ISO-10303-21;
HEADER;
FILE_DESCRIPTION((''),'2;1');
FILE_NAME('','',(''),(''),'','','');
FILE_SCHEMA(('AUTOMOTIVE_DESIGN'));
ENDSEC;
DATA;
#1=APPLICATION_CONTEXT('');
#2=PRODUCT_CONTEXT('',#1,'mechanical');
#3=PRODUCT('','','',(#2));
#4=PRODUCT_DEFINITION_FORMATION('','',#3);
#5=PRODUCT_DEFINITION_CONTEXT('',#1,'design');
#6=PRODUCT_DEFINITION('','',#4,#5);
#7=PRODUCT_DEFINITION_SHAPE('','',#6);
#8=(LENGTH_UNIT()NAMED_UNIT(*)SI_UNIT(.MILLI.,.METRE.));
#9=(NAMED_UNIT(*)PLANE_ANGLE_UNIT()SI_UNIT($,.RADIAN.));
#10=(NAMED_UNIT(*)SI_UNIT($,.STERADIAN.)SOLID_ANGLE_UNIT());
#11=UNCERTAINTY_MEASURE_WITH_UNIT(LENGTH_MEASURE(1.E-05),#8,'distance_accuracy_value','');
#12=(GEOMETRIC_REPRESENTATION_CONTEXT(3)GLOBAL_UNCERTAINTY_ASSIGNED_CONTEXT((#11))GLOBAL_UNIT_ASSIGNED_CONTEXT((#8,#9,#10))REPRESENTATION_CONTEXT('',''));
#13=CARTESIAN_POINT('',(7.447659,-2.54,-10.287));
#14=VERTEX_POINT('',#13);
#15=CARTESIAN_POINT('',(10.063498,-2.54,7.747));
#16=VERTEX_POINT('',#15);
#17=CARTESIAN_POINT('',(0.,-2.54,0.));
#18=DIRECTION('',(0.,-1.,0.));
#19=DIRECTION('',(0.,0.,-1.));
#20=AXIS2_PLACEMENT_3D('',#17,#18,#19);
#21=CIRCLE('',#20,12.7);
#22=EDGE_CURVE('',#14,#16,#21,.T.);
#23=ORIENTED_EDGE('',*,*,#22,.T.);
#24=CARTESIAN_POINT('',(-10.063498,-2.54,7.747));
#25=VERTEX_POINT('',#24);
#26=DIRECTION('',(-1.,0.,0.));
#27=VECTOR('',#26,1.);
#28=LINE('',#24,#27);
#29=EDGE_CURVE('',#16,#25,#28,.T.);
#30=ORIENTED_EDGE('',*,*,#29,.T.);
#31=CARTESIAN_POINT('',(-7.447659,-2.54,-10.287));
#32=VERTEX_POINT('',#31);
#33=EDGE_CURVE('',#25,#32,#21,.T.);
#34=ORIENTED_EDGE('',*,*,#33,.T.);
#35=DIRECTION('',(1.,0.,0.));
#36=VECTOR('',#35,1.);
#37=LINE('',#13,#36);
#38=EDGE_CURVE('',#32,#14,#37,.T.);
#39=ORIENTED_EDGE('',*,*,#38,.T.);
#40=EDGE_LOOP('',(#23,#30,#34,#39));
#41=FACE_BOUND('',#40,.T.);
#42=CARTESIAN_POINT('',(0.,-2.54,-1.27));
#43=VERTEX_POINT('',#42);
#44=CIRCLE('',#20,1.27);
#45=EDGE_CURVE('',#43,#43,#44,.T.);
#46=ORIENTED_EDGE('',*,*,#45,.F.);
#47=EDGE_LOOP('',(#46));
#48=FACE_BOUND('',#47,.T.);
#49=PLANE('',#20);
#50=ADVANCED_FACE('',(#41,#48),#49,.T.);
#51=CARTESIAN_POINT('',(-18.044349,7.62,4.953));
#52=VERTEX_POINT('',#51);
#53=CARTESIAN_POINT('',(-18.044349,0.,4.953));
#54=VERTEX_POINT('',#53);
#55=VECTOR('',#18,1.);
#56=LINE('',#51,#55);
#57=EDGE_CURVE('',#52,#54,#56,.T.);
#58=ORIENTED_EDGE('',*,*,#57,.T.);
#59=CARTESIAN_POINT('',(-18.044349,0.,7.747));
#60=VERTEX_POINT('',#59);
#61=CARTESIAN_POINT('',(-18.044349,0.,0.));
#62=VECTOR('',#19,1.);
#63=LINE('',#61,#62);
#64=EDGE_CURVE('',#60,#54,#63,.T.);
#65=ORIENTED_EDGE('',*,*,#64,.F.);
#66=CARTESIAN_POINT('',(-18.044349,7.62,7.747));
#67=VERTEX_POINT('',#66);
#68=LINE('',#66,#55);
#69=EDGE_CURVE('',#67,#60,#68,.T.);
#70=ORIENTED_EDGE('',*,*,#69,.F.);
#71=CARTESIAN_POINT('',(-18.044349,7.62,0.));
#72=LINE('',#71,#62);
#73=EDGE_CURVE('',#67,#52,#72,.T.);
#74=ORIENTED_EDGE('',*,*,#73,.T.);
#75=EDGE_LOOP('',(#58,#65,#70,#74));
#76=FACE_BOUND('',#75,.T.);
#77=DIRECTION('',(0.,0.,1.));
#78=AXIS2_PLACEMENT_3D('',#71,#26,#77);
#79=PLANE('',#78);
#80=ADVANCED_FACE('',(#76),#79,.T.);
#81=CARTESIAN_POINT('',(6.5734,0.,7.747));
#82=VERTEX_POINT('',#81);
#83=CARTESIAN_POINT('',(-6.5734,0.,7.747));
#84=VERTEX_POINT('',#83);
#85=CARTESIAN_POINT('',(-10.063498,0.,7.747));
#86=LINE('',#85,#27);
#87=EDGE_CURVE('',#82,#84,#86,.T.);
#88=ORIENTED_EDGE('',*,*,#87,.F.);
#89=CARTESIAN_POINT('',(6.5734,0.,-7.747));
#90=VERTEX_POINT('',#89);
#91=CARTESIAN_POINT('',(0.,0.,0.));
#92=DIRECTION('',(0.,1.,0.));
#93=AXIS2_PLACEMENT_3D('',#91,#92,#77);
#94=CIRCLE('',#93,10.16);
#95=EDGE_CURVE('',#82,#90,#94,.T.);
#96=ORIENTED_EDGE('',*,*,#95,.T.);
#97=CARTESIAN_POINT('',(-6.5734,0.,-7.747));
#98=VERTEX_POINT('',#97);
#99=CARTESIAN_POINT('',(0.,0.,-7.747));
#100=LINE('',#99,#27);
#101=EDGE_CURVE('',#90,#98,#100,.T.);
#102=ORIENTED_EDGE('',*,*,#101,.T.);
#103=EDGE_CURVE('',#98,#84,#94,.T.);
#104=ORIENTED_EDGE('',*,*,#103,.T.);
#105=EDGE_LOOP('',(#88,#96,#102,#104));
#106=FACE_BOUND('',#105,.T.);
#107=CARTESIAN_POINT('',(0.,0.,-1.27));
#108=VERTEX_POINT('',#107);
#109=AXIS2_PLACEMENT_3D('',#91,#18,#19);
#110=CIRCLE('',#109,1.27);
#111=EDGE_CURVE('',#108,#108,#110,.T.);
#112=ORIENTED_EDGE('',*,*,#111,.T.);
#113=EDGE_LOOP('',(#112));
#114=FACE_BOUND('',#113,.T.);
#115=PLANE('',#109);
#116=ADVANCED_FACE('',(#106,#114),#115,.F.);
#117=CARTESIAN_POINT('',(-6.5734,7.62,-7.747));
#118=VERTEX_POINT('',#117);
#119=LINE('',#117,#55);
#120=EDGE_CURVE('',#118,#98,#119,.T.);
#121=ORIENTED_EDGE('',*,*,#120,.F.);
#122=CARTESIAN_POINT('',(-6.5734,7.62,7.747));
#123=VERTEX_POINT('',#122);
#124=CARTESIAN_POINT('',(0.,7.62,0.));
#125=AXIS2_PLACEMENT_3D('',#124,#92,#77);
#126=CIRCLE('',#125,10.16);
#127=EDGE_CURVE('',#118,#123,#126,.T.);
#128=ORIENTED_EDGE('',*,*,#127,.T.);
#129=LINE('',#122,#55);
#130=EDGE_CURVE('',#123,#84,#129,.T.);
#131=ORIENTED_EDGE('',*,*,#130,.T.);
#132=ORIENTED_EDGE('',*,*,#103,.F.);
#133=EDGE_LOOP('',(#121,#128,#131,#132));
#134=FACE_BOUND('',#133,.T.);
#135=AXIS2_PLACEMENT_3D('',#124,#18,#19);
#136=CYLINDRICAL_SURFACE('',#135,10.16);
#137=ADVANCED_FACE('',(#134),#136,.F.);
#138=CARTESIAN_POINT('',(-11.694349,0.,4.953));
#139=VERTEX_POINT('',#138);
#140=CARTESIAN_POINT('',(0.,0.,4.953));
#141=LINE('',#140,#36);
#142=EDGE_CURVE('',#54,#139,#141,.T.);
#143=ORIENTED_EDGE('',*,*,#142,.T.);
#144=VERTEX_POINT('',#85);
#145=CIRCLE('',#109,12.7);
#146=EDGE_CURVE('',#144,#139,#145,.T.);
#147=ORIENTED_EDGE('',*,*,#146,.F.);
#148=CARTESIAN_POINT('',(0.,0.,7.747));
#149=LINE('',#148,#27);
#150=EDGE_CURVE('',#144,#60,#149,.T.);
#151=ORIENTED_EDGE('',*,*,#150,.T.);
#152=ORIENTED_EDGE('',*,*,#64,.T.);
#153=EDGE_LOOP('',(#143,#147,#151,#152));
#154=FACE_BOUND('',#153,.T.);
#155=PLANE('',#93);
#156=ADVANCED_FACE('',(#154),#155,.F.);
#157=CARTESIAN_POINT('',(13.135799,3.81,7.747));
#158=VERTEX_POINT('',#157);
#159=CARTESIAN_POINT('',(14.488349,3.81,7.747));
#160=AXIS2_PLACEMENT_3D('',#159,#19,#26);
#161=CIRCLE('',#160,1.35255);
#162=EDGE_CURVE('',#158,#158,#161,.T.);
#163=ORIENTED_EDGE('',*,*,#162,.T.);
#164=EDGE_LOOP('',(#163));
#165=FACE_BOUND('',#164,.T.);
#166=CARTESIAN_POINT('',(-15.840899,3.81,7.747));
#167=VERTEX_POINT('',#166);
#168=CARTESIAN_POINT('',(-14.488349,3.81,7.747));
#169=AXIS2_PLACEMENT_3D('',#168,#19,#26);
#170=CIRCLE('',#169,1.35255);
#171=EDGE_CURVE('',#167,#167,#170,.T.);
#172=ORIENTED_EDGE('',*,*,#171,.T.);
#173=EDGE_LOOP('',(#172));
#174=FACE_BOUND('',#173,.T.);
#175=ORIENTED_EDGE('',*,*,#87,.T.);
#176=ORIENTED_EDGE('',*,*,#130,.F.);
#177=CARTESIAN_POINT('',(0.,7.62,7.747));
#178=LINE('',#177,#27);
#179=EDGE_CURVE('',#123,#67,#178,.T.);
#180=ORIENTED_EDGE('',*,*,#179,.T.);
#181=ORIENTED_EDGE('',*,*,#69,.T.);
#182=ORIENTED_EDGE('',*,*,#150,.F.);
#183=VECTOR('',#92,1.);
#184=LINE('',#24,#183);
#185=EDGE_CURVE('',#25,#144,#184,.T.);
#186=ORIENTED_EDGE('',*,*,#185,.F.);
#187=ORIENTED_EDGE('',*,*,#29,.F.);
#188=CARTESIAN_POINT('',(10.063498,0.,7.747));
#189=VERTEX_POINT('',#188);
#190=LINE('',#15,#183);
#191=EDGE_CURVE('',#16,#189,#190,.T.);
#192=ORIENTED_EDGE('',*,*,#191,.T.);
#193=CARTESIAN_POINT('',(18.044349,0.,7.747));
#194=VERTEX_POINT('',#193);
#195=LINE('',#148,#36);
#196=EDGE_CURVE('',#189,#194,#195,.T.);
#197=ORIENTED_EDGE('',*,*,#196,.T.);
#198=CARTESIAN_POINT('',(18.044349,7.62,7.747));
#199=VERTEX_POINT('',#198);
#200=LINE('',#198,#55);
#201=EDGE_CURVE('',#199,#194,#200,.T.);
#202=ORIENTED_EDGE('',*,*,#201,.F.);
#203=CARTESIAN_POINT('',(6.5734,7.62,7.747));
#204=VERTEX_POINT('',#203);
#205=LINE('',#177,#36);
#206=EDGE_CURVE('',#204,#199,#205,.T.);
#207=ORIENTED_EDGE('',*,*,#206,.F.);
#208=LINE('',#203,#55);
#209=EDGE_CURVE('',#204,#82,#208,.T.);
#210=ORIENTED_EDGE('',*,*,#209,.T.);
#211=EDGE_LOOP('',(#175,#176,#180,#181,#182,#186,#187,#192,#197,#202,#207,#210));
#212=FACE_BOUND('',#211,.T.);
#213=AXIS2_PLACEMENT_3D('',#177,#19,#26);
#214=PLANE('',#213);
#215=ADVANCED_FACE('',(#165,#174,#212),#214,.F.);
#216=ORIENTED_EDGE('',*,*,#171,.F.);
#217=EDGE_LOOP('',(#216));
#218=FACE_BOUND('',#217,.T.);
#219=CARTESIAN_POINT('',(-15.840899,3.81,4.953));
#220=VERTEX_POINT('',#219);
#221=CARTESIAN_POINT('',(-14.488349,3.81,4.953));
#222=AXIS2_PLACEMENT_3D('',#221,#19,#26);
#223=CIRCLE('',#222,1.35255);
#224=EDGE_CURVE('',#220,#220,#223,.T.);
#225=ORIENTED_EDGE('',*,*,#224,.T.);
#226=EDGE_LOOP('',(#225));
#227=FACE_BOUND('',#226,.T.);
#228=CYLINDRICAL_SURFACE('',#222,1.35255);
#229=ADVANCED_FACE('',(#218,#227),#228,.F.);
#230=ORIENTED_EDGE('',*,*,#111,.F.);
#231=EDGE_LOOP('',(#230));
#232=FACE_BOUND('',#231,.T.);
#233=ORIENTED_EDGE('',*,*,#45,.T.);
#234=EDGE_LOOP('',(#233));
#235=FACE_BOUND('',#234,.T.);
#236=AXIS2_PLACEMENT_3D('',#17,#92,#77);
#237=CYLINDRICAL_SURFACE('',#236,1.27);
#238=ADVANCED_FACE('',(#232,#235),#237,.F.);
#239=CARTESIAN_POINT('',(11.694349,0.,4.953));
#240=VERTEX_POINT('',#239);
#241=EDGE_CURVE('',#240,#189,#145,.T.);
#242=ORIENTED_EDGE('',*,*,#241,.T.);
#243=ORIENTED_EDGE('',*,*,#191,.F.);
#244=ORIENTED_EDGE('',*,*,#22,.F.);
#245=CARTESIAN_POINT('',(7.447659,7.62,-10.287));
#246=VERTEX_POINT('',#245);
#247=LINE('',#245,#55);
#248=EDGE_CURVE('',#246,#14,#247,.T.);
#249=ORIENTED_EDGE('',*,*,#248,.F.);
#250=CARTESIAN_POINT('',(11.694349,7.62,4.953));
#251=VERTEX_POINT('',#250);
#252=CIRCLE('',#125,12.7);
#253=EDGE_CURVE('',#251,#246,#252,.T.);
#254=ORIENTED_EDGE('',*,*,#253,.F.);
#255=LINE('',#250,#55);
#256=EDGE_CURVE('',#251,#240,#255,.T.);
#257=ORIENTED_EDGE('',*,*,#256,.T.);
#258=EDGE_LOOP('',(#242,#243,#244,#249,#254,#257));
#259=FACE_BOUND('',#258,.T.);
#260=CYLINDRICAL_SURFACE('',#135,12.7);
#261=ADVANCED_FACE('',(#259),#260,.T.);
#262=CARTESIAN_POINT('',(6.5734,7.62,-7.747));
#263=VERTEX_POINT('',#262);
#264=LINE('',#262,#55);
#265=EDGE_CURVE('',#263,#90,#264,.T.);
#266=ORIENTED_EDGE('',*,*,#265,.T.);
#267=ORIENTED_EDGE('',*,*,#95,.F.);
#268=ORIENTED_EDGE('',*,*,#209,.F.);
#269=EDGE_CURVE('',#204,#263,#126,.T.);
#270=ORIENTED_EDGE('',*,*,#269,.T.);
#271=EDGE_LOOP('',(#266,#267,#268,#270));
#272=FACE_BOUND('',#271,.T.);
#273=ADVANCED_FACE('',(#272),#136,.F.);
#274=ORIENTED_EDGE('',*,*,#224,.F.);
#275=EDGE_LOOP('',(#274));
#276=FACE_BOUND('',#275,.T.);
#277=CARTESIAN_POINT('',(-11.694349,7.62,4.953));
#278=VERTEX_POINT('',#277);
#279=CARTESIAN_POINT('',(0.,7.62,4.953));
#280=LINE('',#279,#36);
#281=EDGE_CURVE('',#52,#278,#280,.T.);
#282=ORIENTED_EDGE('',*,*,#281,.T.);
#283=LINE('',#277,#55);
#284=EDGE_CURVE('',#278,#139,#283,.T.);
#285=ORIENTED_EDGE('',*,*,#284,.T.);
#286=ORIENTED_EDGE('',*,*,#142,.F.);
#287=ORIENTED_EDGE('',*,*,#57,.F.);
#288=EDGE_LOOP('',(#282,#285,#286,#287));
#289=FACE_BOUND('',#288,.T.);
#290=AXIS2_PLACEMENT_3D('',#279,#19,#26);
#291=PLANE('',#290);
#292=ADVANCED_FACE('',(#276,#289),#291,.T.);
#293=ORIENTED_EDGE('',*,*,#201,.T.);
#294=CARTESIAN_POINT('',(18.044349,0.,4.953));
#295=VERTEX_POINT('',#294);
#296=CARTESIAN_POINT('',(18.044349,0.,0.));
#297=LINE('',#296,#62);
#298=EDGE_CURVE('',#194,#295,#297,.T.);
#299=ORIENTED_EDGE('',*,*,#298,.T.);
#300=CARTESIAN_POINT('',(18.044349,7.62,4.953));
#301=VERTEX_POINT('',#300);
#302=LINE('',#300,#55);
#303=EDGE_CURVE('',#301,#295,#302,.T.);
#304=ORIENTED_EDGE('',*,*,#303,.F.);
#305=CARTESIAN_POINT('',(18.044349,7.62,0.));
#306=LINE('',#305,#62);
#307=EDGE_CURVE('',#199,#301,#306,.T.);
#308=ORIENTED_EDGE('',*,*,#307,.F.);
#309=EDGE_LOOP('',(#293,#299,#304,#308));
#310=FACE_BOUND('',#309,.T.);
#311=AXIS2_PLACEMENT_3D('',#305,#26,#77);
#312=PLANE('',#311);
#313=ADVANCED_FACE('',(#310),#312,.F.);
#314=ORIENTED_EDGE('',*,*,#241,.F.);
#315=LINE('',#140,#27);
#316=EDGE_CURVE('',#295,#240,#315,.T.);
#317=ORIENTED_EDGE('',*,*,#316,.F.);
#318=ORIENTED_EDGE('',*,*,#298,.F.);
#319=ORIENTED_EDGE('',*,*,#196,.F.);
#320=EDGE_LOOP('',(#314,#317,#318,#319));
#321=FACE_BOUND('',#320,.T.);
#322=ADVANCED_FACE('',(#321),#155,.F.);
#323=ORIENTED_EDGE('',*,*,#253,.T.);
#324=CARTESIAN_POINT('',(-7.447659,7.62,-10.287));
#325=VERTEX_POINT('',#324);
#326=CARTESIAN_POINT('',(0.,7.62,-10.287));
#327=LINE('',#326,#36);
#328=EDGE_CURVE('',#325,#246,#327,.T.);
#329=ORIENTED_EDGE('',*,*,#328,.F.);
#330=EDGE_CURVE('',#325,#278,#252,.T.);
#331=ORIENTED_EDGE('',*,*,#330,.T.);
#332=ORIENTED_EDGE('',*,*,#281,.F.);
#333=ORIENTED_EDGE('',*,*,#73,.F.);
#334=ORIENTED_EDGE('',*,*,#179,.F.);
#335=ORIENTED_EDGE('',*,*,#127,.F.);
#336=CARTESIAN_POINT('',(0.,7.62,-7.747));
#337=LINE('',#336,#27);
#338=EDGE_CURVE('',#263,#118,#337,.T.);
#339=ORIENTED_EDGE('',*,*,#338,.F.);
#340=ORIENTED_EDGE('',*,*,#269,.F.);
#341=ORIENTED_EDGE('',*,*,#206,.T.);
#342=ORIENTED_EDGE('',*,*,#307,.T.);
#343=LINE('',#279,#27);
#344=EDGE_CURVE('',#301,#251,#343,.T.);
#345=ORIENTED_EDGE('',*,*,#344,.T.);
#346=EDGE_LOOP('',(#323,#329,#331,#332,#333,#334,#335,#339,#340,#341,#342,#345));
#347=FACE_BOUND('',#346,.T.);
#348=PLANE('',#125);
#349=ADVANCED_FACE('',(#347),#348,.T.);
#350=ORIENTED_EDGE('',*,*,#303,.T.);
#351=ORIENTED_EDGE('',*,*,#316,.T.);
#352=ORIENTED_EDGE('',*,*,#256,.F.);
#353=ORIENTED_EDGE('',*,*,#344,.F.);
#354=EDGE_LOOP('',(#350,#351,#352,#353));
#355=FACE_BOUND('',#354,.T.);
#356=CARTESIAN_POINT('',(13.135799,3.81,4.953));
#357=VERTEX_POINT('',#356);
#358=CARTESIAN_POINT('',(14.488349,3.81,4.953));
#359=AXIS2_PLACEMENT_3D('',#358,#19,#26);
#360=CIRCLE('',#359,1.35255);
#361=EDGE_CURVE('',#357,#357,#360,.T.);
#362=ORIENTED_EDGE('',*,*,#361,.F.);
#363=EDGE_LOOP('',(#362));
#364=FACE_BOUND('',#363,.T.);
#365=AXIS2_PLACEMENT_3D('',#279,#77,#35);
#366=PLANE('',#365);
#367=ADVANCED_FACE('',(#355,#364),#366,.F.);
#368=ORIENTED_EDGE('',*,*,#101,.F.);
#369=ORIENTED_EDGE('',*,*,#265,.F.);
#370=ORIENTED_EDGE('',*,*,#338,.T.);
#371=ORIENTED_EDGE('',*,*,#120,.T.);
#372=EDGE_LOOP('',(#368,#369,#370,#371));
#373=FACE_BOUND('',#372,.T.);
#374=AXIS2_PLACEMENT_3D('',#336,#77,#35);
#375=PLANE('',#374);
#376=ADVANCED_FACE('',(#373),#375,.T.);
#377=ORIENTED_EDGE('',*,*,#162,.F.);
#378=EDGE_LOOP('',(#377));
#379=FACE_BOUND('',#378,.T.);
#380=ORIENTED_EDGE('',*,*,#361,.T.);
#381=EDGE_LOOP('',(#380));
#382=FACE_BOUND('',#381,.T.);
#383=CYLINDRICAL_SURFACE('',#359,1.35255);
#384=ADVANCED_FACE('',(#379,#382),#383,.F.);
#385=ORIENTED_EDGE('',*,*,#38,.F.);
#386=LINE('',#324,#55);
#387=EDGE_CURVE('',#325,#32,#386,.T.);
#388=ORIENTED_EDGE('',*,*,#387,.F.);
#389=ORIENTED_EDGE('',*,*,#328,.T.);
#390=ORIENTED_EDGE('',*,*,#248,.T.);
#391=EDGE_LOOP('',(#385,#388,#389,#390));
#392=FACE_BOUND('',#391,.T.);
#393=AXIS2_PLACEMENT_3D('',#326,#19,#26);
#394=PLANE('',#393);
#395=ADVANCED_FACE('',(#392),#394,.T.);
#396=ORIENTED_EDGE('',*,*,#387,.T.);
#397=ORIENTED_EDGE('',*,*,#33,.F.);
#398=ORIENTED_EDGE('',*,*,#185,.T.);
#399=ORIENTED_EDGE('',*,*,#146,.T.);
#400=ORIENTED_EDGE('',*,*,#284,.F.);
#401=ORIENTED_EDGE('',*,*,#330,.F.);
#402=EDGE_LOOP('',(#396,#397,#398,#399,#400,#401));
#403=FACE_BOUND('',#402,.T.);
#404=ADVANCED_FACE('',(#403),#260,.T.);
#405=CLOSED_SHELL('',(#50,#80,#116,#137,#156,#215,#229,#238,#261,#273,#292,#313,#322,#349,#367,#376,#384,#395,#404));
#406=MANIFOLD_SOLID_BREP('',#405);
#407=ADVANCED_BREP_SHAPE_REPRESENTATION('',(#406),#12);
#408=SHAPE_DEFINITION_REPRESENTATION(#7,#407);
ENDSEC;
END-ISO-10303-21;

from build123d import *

# Parameters (mm, degrees)
BOSS_EXTRUDE1_DEPTH           = 7.62
BOSS_EXTRUDE2_START           = 2.54
SKETCH3_R                     = 1.27
BOSS_EXTRUDE2_DEPTH           = 2.54
TAP_DRILL_FOR_6_32_TAP1_D     = 2.7051
TAP_DRILL_FOR_6_32_TAP1_DEPTH = 7.62
TAP_DRILL_FOR_6_32_TAP1_TIP   = 0.81269403


with BuildPart() as part:
    # Sketch2 → Boss-Extrude1 (new body)
    with BuildSketch(Plane(origin=(0, 0, 0), x_dir=(1, 0, 0), z_dir=(0, 1, 0))):
        with BuildLine():
            Line((-7.447659431, 10.287), (7.447659431, 10.287))
            ThreePointArc((7.447659431, 10.287), (12.233908558, 3.409029391), (11.694348678, -4.953))
            Line((11.694348678, -4.953), (18.044348678, -4.953))
            Line((18.044348678, -4.953), (18.044348678, -7.747))
            Line((18.044348678, -7.747), (10.063497951, -7.747))
            Line((10.063497951, -7.747), (6.573400262, -7.747))
            ThreePointArc((6.573400262, -7.747), (10.16, 0), (6.573400262, 7.747))
            Line((6.573400262, 7.747), (-6.573400262, 7.747))
            ThreePointArc((-6.573400262, 7.747), (-10.16, 0), (-6.573400262, -7.747))
            Line((-6.573400262, -7.747), (-10.063497951, -7.747))
            Line((-10.063497951, -7.747), (-18.044348678, -7.747))
            Line((-18.044348678, -7.747), (-18.044348678, -4.953))
            Line((-18.044348678, -4.953), (-11.694348678, -4.953))
            ThreePointArc((-11.694348678, -4.953), (-12.233908558, 3.409029391), (-7.447659431, 10.287))
        make_face()
    extrude(amount=BOSS_EXTRUDE1_DEPTH)

    # Sketch3 → Boss-Extrude2 (add)
    with BuildSketch(Plane.XZ.offset(BOSS_EXTRUDE2_START)):
        with BuildLine():
            Line((7.447659431, -10.287), (-7.447659431, -10.287))
            ThreePointArc((-7.447659431, -10.287), (-12.568470361, -1.823061379), (-10.063497951, 7.747))
            Line((-10.063497951, 7.747), (10.063497951, 7.747))
            ThreePointArc((10.063497951, 7.747), (12.568470361, -1.823061379), (7.447659431, -10.287))
        make_face()
        with Locations(Location((0, 0, 0), (0, 0, 270))):
            Circle(SKETCH3_R, mode=Mode.SUBTRACT)
    extrude(amount=-BOSS_EXTRUDE2_DEPTH)

    # Tap Drill for #6-32 Tap1
    with Locations(Plane(origin=(0, 0, 4.953), x_dir=(-1, 0, 0), z_dir=(0, 0, -1))):
        with Locations((-14.488348678, 3.81), (14.488348678, 3.81)):
            Hole(TAP_DRILL_FOR_6_32_TAP1_D / 2, depth=TAP_DRILL_FOR_6_32_TAP1_DEPTH)
            with Locations((0, 0, -(TAP_DRILL_FOR_6_32_TAP1_DEPTH + TAP_DRILL_FOR_6_32_TAP1_TIP / 2))):  # 118° drill point
                Cone(0, TAP_DRILL_FOR_6_32_TAP1_D / 2, TAP_DRILL_FOR_6_32_TAP1_TIP, mode=Mode.SUBTRACT)


solid = part.part
